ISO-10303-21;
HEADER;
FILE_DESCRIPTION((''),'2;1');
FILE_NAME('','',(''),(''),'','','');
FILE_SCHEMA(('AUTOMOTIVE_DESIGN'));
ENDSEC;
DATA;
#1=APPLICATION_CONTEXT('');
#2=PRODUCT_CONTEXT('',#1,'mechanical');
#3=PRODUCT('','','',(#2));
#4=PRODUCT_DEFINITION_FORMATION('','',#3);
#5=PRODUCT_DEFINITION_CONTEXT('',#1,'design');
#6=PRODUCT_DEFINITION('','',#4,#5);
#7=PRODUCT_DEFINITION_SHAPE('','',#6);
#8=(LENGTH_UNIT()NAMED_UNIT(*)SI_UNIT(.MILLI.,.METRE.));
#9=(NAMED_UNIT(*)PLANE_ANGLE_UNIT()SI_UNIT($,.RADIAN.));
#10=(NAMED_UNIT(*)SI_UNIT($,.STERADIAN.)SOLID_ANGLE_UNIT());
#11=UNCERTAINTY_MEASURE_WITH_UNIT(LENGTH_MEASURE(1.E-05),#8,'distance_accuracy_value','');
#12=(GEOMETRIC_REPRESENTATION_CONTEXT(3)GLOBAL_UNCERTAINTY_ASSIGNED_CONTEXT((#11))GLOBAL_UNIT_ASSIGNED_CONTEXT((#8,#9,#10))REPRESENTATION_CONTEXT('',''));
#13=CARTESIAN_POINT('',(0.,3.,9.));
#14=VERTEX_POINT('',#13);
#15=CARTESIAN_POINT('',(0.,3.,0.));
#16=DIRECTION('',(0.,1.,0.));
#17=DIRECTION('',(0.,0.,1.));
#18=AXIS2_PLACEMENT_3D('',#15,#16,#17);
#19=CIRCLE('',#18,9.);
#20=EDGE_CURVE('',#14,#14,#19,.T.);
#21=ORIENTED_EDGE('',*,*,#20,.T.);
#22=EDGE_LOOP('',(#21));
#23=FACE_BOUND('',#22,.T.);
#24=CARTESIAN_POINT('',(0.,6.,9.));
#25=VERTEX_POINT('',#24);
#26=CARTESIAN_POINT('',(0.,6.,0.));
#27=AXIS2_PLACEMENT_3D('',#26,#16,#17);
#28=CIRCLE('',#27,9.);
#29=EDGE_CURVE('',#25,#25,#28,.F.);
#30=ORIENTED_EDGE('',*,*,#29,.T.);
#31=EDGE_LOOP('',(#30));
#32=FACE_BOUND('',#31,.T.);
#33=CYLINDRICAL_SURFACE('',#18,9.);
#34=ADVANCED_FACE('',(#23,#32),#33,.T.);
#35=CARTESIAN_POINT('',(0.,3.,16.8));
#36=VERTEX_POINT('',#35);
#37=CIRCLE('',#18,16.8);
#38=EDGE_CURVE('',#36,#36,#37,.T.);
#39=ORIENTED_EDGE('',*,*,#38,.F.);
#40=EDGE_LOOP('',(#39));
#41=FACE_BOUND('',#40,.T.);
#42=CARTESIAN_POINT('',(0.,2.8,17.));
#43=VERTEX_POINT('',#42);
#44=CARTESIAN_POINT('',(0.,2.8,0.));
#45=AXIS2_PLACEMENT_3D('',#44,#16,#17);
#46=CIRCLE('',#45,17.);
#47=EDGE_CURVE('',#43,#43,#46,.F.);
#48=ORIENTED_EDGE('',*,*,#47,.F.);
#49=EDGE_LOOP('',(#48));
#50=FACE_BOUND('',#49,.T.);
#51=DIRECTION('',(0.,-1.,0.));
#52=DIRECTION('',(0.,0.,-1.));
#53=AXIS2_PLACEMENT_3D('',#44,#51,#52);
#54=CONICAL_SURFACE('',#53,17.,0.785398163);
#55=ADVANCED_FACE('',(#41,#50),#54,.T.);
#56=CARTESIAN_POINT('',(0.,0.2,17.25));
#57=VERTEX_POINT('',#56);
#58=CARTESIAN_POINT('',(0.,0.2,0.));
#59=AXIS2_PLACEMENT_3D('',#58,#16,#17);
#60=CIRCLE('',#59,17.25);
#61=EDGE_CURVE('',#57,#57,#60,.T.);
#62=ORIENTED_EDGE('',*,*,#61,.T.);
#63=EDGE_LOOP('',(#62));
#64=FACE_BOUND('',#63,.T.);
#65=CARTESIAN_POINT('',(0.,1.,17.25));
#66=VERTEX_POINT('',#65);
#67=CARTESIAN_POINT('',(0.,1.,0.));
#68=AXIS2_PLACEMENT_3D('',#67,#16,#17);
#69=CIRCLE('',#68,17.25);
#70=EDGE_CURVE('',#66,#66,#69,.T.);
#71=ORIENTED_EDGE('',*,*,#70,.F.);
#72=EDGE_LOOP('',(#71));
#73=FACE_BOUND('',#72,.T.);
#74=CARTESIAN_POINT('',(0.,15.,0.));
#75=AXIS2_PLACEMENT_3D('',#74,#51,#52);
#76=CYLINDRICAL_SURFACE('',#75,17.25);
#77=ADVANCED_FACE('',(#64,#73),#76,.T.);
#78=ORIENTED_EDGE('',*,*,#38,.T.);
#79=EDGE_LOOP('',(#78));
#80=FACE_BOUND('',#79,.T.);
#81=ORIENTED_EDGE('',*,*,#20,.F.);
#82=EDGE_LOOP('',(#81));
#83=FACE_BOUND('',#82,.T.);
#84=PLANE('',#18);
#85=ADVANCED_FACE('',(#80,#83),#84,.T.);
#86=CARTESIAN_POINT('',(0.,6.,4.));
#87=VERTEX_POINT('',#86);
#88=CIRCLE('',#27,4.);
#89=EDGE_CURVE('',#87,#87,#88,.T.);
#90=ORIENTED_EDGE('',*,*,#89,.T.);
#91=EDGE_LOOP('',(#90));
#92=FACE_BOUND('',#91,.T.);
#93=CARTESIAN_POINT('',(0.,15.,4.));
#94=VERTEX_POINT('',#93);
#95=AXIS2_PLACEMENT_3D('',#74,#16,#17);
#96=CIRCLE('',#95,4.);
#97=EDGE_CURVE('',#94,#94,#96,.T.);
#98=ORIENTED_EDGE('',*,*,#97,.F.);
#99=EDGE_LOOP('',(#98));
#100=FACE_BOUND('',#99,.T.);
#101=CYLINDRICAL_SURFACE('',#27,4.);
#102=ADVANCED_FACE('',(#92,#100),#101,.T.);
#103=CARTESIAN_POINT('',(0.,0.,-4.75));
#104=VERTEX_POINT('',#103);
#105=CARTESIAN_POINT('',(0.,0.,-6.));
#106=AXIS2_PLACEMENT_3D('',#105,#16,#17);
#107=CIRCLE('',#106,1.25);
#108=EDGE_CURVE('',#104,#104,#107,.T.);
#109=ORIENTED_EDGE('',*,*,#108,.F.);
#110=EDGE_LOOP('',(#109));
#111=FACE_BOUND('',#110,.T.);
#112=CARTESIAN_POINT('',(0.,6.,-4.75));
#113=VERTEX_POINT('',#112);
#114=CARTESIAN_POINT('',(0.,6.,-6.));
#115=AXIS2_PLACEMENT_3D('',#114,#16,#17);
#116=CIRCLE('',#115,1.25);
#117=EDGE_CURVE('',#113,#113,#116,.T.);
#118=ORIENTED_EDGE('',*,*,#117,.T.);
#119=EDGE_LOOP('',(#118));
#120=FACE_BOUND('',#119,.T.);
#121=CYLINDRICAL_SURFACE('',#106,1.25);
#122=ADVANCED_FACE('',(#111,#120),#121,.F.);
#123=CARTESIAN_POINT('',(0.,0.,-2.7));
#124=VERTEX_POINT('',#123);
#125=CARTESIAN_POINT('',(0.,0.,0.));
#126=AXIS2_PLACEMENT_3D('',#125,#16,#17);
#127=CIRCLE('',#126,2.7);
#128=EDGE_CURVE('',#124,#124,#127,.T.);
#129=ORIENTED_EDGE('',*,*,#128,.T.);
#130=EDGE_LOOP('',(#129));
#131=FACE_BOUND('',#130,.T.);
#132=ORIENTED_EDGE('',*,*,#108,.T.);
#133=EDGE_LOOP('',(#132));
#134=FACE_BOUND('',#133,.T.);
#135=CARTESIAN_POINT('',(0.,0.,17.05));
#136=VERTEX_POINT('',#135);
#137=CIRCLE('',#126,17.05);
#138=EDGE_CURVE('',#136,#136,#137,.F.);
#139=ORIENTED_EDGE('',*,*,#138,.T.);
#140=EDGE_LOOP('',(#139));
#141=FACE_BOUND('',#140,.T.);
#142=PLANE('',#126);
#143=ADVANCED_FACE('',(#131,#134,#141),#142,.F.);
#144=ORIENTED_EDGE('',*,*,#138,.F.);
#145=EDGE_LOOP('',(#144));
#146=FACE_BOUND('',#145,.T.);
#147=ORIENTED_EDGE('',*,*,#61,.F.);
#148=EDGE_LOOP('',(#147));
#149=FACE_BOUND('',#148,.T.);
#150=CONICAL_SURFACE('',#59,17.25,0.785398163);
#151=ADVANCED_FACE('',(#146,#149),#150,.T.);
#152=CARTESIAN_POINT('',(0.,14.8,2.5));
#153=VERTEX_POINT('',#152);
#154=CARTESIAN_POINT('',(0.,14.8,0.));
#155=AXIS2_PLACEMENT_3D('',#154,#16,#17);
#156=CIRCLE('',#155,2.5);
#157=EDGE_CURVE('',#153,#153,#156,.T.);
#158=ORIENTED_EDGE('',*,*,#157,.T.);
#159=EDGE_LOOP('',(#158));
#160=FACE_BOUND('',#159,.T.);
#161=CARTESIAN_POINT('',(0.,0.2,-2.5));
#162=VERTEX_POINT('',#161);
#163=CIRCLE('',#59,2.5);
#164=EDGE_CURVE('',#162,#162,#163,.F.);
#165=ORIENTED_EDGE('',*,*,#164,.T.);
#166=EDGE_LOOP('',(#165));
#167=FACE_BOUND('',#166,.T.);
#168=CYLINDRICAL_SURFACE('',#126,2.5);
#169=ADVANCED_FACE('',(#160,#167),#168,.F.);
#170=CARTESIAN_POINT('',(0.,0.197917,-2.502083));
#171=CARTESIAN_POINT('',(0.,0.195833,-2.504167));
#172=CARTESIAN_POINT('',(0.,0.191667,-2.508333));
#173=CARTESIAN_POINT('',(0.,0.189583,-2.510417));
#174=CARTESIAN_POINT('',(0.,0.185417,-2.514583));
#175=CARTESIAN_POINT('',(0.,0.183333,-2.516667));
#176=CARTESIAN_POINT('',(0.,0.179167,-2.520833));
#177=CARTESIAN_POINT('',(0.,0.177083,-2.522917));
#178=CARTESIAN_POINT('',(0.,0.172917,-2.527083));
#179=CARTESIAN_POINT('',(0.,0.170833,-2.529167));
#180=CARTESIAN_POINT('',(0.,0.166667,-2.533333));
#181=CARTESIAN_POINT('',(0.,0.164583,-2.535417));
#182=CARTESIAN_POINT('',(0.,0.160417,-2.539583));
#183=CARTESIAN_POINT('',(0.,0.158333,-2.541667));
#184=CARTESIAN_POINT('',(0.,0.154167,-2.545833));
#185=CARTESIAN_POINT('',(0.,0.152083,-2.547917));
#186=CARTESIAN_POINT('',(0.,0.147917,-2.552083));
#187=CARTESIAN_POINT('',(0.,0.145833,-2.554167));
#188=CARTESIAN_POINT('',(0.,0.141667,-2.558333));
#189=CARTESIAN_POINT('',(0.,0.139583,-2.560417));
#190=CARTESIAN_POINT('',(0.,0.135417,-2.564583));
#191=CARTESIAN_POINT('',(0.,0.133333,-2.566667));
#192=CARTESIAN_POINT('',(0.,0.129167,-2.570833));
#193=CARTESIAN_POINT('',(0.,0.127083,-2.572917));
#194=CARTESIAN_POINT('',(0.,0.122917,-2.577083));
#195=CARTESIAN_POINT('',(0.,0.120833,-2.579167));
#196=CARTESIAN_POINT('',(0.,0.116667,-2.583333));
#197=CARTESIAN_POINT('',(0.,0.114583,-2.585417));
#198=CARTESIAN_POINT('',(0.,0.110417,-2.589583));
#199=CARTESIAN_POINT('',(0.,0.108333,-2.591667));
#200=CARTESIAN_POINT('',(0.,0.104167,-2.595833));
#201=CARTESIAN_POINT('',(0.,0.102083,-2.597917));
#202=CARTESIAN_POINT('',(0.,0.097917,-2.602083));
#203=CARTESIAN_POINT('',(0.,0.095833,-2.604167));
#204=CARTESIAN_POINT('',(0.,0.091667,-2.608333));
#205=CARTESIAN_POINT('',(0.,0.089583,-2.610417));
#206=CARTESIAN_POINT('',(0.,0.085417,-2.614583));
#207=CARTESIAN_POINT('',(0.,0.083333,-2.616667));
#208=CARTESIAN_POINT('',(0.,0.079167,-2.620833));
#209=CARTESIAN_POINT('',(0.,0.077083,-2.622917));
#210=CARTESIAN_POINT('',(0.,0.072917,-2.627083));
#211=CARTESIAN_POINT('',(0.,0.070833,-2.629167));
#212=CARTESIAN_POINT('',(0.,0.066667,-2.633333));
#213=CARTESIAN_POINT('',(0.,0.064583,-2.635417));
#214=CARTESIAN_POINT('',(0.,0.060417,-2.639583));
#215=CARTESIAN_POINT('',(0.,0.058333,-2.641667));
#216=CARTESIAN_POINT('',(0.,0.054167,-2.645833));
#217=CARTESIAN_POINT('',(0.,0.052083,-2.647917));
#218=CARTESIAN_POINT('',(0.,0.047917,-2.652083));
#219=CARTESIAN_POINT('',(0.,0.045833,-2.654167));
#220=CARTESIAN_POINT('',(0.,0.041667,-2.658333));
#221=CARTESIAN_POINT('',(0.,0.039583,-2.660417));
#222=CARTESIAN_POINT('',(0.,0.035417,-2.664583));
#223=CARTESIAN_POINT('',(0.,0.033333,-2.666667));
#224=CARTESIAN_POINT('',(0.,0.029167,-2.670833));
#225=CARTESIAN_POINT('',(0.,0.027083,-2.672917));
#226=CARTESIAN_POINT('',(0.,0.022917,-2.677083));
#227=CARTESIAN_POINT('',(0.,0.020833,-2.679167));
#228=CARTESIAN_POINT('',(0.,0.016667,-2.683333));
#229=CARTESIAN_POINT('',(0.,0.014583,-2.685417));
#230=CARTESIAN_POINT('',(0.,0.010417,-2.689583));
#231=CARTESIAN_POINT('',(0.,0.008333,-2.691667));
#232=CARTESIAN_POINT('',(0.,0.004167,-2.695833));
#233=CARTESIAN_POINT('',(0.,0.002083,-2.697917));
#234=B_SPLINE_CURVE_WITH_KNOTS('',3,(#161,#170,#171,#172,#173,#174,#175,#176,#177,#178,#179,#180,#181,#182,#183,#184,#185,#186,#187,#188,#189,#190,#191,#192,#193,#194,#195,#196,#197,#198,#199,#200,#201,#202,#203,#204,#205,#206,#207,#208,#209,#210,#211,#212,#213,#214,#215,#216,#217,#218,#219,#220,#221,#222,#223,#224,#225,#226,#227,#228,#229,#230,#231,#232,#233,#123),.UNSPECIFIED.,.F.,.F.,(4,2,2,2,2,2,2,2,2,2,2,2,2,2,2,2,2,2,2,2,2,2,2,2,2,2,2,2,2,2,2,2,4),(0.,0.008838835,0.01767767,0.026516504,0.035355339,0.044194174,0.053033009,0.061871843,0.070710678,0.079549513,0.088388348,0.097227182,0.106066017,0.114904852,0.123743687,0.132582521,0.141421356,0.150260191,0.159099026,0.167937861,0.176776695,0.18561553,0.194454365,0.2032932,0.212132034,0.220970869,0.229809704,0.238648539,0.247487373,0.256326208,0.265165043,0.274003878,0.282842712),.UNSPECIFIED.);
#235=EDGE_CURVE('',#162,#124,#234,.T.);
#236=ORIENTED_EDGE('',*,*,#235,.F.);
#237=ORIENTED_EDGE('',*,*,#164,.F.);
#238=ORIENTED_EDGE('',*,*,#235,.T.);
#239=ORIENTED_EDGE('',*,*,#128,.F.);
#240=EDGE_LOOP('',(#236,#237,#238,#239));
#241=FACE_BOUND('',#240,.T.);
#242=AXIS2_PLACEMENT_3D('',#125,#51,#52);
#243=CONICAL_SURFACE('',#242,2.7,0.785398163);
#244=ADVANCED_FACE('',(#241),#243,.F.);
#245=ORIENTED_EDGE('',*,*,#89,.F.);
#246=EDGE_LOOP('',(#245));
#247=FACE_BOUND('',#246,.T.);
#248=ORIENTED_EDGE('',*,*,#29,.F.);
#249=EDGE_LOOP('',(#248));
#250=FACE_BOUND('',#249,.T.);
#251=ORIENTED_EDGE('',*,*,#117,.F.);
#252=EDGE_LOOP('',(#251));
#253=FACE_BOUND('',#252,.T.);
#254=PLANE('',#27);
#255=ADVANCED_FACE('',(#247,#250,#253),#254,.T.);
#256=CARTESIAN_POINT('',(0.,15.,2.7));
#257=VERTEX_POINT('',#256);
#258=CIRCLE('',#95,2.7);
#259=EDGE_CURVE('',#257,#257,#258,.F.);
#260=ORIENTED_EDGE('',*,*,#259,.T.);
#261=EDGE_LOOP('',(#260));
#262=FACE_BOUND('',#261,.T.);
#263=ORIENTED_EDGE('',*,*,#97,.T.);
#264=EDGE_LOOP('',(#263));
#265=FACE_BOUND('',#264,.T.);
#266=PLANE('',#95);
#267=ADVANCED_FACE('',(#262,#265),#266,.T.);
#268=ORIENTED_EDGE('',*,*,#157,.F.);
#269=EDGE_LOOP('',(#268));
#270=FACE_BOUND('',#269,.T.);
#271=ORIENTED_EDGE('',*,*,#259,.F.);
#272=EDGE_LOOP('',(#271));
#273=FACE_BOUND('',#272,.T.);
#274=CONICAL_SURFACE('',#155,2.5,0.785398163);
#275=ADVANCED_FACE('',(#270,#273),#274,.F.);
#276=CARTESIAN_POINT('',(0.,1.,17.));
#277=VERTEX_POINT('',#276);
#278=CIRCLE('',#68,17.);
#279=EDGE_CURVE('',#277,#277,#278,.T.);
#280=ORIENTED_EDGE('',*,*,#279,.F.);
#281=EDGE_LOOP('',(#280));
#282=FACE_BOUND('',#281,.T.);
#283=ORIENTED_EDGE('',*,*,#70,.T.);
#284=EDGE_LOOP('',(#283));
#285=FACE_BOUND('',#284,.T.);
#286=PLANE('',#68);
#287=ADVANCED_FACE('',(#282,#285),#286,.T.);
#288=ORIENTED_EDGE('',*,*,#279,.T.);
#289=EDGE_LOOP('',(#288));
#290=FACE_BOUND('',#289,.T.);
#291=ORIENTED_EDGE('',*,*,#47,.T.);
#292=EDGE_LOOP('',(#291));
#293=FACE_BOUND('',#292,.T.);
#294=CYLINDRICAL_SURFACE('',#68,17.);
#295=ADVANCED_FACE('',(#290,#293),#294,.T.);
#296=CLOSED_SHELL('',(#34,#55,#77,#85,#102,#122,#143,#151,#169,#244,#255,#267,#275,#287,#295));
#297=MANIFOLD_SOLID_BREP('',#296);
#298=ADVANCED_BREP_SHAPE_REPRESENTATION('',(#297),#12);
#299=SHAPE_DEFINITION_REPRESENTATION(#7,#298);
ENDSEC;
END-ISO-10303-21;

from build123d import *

# Parameters (mm, degrees)
SKETCH1_R           = 17.25
BOSS_EXTRUDE1_DEPTH = 15
SKETCH2_OUTSIDE_W   = 46.708
SKETCH2_OUTSIDE_H   = 46.708
SKETCH2_OUTSIDE_R   = 17
CUT_EXTRUDE1_DEPTH  = 14
SKETCH3_OUTSIDE_W   = 46.708
SKETCH3_OUTSIDE_H   = 46.708
SKETCH3_OUTSIDE_R   = 9
CUT_EXTRUDE4_DEPTH  = 12
SKETCH6_OUTSIDE_W   = 46.708
SKETCH6_OUTSIDE_H   = 46.708
SKETCH6_OUTSIDE_R   = 4
CUT_EXTRUDE5_DEPTH  = 9
SKETCH7_R           = 2.5
CUT_EXTRUDE6_DEPTH  = 29.637824638
SKETCH8_R           = 1.25
CUT_EXTRUDE7_DEPTH  = 27.002403735
CHAMFER1_SIZE       = 0.2


with BuildPart() as part:
    # Sketch1 → Boss-Extrude1 (new body)
    with BuildSketch(Plane(origin=(0, 0, 0), x_dir=(1, 0, 0), z_dir=(0, 1, 0))):
        with Locations(Location((0, 0, 0), (0, 0, 270))):
            Circle(SKETCH1_R)
    extrude(amount=BOSS_EXTRUDE1_DEPTH)

    # Sketch2 outside → Cut-Extrude1 (cut)
    with BuildSketch(Plane(origin=(0, 15, 0), x_dir=(1, 0, 0), z_dir=(0, 1, 0))):
        Rectangle(SKETCH2_OUTSIDE_W, SKETCH2_OUTSIDE_H)
        with Locations(Location((0, 0, 0), (0, 0, 270))):
            Circle(SKETCH2_OUTSIDE_R, mode=Mode.SUBTRACT)
    extrude(amount=-CUT_EXTRUDE1_DEPTH, mode=Mode.SUBTRACT)

    # Sketch3 outside → Cut-Extrude4 (cut)
    with BuildSketch(Plane(origin=(0, 15, 0), x_dir=(1, 0, 0), z_dir=(0, 1, 0))):
        Rectangle(SKETCH3_OUTSIDE_W, SKETCH3_OUTSIDE_H)
        with Locations(Location((0, 0, 0), (0, 0, 270))):
            Circle(SKETCH3_OUTSIDE_R, mode=Mode.SUBTRACT)
    extrude(amount=-CUT_EXTRUDE4_DEPTH, mode=Mode.SUBTRACT)

    # Sketch6 outside → Cut-Extrude5 (cut)
    with BuildSketch(Plane(origin=(0, 15, 0), x_dir=(1, 0, 0), z_dir=(0, 1, 0))):
        Rectangle(SKETCH6_OUTSIDE_W, SKETCH6_OUTSIDE_H)
        with Locations(Location((0, 0, 0), (0, 0, 270))):
            Circle(SKETCH6_OUTSIDE_R, mode=Mode.SUBTRACT)
    extrude(amount=-CUT_EXTRUDE5_DEPTH, mode=Mode.SUBTRACT)

    # Sketch7 → Cut-Extrude6 (cut, through all)
    with BuildSketch(Plane(origin=(0, 15, 0), x_dir=(1, 0, 0), z_dir=(0, 1, 0))):
        with Locations(Location((0, 0, 0), (0, 0, 270))):
            Circle(SKETCH7_R)
    extrude(amount=-CUT_EXTRUDE6_DEPTH, mode=Mode.SUBTRACT)

    # Sketch8 → Cut-Extrude7 (cut, through all)
    with BuildSketch(Plane(origin=(0, 6, 0), x_dir=(1, 0, 0), z_dir=(0, 1, 0))):
        with Locations(Location((0, 6, 0), (0, 0, 270))):
            Circle(SKETCH8_R)
    extrude(amount=-CUT_EXTRUDE7_DEPTH, mode=Mode.SUBTRACT)

    # Chamfer1
    chamfer1_edges = [part.edges().sort_by_distance(p)[0] for p in [
        (0, 0, -17.25),
        (0, 3, -17),
        (0, 0, -2.5),
        (0, 15, -2.5),
    ]]
    chamfer(chamfer1_edges, length=CHAMFER1_SIZE)


solid = part.part
